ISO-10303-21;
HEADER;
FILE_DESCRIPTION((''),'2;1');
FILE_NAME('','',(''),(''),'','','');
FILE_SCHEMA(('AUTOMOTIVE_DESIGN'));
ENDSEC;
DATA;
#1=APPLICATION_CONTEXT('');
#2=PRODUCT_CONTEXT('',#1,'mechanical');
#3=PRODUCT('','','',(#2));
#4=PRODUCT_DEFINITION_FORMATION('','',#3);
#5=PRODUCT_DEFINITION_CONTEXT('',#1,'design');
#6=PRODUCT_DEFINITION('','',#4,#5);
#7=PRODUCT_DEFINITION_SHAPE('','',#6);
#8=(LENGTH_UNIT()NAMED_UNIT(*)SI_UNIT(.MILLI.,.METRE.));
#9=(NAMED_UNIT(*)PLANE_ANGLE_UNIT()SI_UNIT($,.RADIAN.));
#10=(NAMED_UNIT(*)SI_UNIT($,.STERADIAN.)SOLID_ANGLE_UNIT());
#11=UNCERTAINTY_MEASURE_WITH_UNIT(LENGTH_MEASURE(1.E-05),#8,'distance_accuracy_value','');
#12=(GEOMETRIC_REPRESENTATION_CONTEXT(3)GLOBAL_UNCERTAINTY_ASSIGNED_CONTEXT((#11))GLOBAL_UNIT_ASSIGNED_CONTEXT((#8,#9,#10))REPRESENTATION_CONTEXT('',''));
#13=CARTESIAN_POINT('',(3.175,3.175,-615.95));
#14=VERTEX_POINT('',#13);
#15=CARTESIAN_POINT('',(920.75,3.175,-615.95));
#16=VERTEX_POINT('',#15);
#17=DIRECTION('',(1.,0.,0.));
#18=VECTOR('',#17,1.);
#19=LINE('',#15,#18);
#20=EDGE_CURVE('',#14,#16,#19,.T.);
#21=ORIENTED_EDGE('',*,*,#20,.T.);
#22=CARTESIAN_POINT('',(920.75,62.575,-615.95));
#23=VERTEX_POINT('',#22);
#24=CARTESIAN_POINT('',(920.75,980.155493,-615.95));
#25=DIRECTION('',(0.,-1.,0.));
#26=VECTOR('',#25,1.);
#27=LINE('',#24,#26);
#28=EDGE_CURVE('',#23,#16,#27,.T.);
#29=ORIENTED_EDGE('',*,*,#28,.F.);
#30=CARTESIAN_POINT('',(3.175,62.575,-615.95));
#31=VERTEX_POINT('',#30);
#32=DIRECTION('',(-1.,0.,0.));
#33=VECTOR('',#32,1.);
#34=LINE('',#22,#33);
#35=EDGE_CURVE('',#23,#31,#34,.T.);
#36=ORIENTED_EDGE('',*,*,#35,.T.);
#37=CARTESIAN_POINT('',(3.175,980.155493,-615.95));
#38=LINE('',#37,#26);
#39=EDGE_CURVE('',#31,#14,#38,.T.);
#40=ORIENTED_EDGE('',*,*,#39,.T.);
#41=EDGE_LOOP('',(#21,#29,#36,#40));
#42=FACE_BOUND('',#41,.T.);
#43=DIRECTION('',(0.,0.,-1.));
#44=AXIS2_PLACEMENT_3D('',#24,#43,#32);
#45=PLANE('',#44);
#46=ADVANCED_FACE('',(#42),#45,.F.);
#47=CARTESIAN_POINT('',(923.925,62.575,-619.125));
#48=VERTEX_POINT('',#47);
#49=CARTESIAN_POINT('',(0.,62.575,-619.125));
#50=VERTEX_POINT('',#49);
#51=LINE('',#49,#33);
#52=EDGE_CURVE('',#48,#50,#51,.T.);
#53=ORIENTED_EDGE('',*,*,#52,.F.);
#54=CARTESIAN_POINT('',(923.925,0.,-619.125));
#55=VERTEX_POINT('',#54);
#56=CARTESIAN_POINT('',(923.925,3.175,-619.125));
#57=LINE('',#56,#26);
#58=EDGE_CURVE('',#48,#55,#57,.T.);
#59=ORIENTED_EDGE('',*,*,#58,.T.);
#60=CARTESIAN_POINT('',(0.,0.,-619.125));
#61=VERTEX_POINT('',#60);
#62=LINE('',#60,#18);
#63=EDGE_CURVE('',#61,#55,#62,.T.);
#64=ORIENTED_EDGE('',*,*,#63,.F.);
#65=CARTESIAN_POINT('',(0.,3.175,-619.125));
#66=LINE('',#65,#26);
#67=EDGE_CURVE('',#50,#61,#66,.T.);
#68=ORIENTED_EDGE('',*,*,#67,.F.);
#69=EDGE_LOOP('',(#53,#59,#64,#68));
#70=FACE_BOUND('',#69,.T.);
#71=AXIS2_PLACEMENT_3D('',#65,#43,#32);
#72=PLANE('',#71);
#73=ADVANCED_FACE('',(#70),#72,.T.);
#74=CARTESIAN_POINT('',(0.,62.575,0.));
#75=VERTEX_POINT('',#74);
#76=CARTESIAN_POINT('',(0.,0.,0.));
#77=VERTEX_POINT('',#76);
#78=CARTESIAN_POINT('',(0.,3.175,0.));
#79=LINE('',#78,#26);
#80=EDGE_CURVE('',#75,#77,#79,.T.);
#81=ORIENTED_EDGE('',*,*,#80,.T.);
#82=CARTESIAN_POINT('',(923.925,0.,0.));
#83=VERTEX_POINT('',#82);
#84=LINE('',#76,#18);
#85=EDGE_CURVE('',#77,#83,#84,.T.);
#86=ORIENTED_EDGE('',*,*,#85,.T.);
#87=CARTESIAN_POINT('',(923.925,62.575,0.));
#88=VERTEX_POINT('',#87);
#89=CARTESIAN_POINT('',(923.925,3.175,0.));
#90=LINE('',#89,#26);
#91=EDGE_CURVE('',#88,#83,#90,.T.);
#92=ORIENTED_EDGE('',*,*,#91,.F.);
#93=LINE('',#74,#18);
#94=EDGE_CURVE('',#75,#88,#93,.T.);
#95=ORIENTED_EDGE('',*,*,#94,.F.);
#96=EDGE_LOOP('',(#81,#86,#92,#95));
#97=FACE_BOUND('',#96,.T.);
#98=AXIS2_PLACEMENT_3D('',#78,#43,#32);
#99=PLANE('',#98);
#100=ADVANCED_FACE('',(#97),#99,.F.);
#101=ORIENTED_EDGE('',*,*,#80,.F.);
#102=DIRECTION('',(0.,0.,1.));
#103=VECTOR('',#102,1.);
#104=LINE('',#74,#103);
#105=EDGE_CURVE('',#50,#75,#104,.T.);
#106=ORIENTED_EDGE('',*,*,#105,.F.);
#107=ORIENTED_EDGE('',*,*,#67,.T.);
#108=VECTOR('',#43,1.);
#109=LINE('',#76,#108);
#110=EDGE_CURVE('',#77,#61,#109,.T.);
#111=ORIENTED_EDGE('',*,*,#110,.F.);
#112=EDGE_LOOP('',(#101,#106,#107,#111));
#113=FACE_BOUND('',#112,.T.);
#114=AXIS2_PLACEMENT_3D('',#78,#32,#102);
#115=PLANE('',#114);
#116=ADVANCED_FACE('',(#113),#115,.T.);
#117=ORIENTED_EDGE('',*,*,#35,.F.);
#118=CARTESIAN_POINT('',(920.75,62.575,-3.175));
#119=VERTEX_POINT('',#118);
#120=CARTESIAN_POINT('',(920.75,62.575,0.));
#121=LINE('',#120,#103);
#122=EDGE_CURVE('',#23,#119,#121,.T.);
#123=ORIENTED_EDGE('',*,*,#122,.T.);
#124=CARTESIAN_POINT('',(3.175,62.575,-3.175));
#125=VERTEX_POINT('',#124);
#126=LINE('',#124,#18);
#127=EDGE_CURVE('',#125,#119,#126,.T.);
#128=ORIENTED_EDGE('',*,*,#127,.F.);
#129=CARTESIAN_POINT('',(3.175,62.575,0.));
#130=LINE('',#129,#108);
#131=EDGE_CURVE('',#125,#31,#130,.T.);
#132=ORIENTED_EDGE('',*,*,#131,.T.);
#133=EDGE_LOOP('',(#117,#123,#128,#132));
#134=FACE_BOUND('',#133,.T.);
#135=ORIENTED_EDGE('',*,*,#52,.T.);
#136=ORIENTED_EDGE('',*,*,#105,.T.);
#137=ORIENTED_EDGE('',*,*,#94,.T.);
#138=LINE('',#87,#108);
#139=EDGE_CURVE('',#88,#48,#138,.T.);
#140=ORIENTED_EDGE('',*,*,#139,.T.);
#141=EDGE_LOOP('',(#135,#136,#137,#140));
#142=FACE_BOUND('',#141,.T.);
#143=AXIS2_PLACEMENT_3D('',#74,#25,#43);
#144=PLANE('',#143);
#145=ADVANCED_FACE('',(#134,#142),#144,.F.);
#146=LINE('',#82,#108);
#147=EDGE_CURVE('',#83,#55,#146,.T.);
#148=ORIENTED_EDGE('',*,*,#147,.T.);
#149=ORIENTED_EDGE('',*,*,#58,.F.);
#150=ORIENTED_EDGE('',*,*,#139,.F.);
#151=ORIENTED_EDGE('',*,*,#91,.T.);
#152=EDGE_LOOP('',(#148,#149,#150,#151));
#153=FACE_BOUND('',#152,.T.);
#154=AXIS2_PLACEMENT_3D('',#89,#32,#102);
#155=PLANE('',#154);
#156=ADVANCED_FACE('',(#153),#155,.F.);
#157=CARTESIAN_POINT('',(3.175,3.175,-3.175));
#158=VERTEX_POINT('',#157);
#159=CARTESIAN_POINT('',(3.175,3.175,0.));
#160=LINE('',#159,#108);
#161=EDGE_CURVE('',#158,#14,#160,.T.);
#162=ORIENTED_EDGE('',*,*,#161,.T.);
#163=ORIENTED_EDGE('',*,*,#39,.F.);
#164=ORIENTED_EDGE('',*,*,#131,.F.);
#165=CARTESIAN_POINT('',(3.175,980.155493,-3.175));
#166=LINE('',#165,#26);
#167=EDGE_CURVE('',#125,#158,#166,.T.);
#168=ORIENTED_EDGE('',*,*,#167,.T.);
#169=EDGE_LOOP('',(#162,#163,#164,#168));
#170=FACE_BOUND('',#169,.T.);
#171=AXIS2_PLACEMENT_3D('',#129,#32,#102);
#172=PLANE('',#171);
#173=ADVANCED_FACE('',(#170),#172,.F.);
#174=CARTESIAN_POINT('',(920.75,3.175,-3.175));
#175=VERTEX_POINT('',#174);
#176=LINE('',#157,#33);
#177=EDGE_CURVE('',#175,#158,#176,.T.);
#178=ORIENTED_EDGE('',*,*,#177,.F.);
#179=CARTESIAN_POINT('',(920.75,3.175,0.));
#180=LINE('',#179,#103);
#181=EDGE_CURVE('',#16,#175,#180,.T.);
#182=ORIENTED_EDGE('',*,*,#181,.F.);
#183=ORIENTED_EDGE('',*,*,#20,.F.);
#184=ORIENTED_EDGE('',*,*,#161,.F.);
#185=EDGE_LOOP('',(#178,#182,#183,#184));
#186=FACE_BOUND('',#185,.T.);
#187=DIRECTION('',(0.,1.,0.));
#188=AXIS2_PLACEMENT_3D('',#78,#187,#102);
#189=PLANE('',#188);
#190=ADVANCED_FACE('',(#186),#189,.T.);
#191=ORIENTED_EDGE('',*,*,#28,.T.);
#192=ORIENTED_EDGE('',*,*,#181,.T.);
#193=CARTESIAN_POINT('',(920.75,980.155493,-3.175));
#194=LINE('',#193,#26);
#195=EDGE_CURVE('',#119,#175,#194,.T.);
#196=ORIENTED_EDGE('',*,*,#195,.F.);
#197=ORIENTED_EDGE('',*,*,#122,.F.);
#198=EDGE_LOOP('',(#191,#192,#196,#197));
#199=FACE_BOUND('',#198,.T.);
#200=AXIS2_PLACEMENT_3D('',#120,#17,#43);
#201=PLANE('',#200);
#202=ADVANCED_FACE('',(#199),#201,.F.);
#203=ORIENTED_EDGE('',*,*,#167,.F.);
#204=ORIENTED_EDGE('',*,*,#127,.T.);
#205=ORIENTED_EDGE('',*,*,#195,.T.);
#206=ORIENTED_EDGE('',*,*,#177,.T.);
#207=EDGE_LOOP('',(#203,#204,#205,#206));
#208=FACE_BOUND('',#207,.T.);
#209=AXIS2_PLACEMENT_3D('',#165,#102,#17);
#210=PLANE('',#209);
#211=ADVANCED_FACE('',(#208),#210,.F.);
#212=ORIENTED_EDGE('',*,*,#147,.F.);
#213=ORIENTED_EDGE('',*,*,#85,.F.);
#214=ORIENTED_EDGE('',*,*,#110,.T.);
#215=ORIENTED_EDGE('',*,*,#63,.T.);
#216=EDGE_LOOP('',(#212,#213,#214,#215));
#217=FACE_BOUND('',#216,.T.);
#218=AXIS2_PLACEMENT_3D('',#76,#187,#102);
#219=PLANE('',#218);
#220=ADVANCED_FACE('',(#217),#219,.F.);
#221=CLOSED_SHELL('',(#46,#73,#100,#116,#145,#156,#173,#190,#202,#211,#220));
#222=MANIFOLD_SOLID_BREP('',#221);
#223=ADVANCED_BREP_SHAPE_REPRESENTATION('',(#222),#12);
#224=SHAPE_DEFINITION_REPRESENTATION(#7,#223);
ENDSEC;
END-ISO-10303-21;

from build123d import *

# Parameters (mm, degrees)
SKETCH1_W           = 923.925
SKETCH1_H           = 619.125
BOSS_EXTRUDE1_DEPTH = 3.175
SKETCH2_W           = 3.175
SKETCH2_H           = 619.125
BOSS_EXTRUDE2_DEPTH = 59.4
SKETCH3_W           = 917.575
SKETCH3_H           = 3.175
BOSS_EXTRUDE3_DEPTH = 59.4


with BuildPart() as part:
    # Sketch1 → Boss-Extrude1 (new body)
    with BuildSketch(Plane(origin=(0, 0, 0), x_dir=(1, 0, 0), z_dir=(0, 1, 0))):
        with Locations((461.9625, 309.5625)):
            Rectangle(SKETCH1_W, SKETCH1_H)
    extrude(amount=BOSS_EXTRUDE1_DEPTH)

    # Sketch2 → Boss-Extrude2 (add)
    with BuildSketch(Plane(origin=(0, 3.175, 0), x_dir=(1, 0, 0), z_dir=(0, 1, 0))):
        with Locations((1.5875, 309.5625)):
            Rectangle(SKETCH2_W, SKETCH2_H)
        with Locations((922.3375, 309.5625)):
            Rectangle(SKETCH2_W, SKETCH2_H)
    extrude(amount=BOSS_EXTRUDE2_DEPTH)

    # Sketch3 → Boss-Extrude3 (add)
    with BuildSketch(Plane(origin=(0, 3.175, 0), x_dir=(1, 0, 0), z_dir=(0, 1, 0))):
        with Locations((461.9625, 1.5875)):
            Rectangle(SKETCH3_W, SKETCH3_H)
        with Locations((461.9625, 617.5375)):
            Rectangle(SKETCH3_W, SKETCH3_H)
    extrude(amount=BOSS_EXTRUDE3_DEPTH)


solid = part.part
